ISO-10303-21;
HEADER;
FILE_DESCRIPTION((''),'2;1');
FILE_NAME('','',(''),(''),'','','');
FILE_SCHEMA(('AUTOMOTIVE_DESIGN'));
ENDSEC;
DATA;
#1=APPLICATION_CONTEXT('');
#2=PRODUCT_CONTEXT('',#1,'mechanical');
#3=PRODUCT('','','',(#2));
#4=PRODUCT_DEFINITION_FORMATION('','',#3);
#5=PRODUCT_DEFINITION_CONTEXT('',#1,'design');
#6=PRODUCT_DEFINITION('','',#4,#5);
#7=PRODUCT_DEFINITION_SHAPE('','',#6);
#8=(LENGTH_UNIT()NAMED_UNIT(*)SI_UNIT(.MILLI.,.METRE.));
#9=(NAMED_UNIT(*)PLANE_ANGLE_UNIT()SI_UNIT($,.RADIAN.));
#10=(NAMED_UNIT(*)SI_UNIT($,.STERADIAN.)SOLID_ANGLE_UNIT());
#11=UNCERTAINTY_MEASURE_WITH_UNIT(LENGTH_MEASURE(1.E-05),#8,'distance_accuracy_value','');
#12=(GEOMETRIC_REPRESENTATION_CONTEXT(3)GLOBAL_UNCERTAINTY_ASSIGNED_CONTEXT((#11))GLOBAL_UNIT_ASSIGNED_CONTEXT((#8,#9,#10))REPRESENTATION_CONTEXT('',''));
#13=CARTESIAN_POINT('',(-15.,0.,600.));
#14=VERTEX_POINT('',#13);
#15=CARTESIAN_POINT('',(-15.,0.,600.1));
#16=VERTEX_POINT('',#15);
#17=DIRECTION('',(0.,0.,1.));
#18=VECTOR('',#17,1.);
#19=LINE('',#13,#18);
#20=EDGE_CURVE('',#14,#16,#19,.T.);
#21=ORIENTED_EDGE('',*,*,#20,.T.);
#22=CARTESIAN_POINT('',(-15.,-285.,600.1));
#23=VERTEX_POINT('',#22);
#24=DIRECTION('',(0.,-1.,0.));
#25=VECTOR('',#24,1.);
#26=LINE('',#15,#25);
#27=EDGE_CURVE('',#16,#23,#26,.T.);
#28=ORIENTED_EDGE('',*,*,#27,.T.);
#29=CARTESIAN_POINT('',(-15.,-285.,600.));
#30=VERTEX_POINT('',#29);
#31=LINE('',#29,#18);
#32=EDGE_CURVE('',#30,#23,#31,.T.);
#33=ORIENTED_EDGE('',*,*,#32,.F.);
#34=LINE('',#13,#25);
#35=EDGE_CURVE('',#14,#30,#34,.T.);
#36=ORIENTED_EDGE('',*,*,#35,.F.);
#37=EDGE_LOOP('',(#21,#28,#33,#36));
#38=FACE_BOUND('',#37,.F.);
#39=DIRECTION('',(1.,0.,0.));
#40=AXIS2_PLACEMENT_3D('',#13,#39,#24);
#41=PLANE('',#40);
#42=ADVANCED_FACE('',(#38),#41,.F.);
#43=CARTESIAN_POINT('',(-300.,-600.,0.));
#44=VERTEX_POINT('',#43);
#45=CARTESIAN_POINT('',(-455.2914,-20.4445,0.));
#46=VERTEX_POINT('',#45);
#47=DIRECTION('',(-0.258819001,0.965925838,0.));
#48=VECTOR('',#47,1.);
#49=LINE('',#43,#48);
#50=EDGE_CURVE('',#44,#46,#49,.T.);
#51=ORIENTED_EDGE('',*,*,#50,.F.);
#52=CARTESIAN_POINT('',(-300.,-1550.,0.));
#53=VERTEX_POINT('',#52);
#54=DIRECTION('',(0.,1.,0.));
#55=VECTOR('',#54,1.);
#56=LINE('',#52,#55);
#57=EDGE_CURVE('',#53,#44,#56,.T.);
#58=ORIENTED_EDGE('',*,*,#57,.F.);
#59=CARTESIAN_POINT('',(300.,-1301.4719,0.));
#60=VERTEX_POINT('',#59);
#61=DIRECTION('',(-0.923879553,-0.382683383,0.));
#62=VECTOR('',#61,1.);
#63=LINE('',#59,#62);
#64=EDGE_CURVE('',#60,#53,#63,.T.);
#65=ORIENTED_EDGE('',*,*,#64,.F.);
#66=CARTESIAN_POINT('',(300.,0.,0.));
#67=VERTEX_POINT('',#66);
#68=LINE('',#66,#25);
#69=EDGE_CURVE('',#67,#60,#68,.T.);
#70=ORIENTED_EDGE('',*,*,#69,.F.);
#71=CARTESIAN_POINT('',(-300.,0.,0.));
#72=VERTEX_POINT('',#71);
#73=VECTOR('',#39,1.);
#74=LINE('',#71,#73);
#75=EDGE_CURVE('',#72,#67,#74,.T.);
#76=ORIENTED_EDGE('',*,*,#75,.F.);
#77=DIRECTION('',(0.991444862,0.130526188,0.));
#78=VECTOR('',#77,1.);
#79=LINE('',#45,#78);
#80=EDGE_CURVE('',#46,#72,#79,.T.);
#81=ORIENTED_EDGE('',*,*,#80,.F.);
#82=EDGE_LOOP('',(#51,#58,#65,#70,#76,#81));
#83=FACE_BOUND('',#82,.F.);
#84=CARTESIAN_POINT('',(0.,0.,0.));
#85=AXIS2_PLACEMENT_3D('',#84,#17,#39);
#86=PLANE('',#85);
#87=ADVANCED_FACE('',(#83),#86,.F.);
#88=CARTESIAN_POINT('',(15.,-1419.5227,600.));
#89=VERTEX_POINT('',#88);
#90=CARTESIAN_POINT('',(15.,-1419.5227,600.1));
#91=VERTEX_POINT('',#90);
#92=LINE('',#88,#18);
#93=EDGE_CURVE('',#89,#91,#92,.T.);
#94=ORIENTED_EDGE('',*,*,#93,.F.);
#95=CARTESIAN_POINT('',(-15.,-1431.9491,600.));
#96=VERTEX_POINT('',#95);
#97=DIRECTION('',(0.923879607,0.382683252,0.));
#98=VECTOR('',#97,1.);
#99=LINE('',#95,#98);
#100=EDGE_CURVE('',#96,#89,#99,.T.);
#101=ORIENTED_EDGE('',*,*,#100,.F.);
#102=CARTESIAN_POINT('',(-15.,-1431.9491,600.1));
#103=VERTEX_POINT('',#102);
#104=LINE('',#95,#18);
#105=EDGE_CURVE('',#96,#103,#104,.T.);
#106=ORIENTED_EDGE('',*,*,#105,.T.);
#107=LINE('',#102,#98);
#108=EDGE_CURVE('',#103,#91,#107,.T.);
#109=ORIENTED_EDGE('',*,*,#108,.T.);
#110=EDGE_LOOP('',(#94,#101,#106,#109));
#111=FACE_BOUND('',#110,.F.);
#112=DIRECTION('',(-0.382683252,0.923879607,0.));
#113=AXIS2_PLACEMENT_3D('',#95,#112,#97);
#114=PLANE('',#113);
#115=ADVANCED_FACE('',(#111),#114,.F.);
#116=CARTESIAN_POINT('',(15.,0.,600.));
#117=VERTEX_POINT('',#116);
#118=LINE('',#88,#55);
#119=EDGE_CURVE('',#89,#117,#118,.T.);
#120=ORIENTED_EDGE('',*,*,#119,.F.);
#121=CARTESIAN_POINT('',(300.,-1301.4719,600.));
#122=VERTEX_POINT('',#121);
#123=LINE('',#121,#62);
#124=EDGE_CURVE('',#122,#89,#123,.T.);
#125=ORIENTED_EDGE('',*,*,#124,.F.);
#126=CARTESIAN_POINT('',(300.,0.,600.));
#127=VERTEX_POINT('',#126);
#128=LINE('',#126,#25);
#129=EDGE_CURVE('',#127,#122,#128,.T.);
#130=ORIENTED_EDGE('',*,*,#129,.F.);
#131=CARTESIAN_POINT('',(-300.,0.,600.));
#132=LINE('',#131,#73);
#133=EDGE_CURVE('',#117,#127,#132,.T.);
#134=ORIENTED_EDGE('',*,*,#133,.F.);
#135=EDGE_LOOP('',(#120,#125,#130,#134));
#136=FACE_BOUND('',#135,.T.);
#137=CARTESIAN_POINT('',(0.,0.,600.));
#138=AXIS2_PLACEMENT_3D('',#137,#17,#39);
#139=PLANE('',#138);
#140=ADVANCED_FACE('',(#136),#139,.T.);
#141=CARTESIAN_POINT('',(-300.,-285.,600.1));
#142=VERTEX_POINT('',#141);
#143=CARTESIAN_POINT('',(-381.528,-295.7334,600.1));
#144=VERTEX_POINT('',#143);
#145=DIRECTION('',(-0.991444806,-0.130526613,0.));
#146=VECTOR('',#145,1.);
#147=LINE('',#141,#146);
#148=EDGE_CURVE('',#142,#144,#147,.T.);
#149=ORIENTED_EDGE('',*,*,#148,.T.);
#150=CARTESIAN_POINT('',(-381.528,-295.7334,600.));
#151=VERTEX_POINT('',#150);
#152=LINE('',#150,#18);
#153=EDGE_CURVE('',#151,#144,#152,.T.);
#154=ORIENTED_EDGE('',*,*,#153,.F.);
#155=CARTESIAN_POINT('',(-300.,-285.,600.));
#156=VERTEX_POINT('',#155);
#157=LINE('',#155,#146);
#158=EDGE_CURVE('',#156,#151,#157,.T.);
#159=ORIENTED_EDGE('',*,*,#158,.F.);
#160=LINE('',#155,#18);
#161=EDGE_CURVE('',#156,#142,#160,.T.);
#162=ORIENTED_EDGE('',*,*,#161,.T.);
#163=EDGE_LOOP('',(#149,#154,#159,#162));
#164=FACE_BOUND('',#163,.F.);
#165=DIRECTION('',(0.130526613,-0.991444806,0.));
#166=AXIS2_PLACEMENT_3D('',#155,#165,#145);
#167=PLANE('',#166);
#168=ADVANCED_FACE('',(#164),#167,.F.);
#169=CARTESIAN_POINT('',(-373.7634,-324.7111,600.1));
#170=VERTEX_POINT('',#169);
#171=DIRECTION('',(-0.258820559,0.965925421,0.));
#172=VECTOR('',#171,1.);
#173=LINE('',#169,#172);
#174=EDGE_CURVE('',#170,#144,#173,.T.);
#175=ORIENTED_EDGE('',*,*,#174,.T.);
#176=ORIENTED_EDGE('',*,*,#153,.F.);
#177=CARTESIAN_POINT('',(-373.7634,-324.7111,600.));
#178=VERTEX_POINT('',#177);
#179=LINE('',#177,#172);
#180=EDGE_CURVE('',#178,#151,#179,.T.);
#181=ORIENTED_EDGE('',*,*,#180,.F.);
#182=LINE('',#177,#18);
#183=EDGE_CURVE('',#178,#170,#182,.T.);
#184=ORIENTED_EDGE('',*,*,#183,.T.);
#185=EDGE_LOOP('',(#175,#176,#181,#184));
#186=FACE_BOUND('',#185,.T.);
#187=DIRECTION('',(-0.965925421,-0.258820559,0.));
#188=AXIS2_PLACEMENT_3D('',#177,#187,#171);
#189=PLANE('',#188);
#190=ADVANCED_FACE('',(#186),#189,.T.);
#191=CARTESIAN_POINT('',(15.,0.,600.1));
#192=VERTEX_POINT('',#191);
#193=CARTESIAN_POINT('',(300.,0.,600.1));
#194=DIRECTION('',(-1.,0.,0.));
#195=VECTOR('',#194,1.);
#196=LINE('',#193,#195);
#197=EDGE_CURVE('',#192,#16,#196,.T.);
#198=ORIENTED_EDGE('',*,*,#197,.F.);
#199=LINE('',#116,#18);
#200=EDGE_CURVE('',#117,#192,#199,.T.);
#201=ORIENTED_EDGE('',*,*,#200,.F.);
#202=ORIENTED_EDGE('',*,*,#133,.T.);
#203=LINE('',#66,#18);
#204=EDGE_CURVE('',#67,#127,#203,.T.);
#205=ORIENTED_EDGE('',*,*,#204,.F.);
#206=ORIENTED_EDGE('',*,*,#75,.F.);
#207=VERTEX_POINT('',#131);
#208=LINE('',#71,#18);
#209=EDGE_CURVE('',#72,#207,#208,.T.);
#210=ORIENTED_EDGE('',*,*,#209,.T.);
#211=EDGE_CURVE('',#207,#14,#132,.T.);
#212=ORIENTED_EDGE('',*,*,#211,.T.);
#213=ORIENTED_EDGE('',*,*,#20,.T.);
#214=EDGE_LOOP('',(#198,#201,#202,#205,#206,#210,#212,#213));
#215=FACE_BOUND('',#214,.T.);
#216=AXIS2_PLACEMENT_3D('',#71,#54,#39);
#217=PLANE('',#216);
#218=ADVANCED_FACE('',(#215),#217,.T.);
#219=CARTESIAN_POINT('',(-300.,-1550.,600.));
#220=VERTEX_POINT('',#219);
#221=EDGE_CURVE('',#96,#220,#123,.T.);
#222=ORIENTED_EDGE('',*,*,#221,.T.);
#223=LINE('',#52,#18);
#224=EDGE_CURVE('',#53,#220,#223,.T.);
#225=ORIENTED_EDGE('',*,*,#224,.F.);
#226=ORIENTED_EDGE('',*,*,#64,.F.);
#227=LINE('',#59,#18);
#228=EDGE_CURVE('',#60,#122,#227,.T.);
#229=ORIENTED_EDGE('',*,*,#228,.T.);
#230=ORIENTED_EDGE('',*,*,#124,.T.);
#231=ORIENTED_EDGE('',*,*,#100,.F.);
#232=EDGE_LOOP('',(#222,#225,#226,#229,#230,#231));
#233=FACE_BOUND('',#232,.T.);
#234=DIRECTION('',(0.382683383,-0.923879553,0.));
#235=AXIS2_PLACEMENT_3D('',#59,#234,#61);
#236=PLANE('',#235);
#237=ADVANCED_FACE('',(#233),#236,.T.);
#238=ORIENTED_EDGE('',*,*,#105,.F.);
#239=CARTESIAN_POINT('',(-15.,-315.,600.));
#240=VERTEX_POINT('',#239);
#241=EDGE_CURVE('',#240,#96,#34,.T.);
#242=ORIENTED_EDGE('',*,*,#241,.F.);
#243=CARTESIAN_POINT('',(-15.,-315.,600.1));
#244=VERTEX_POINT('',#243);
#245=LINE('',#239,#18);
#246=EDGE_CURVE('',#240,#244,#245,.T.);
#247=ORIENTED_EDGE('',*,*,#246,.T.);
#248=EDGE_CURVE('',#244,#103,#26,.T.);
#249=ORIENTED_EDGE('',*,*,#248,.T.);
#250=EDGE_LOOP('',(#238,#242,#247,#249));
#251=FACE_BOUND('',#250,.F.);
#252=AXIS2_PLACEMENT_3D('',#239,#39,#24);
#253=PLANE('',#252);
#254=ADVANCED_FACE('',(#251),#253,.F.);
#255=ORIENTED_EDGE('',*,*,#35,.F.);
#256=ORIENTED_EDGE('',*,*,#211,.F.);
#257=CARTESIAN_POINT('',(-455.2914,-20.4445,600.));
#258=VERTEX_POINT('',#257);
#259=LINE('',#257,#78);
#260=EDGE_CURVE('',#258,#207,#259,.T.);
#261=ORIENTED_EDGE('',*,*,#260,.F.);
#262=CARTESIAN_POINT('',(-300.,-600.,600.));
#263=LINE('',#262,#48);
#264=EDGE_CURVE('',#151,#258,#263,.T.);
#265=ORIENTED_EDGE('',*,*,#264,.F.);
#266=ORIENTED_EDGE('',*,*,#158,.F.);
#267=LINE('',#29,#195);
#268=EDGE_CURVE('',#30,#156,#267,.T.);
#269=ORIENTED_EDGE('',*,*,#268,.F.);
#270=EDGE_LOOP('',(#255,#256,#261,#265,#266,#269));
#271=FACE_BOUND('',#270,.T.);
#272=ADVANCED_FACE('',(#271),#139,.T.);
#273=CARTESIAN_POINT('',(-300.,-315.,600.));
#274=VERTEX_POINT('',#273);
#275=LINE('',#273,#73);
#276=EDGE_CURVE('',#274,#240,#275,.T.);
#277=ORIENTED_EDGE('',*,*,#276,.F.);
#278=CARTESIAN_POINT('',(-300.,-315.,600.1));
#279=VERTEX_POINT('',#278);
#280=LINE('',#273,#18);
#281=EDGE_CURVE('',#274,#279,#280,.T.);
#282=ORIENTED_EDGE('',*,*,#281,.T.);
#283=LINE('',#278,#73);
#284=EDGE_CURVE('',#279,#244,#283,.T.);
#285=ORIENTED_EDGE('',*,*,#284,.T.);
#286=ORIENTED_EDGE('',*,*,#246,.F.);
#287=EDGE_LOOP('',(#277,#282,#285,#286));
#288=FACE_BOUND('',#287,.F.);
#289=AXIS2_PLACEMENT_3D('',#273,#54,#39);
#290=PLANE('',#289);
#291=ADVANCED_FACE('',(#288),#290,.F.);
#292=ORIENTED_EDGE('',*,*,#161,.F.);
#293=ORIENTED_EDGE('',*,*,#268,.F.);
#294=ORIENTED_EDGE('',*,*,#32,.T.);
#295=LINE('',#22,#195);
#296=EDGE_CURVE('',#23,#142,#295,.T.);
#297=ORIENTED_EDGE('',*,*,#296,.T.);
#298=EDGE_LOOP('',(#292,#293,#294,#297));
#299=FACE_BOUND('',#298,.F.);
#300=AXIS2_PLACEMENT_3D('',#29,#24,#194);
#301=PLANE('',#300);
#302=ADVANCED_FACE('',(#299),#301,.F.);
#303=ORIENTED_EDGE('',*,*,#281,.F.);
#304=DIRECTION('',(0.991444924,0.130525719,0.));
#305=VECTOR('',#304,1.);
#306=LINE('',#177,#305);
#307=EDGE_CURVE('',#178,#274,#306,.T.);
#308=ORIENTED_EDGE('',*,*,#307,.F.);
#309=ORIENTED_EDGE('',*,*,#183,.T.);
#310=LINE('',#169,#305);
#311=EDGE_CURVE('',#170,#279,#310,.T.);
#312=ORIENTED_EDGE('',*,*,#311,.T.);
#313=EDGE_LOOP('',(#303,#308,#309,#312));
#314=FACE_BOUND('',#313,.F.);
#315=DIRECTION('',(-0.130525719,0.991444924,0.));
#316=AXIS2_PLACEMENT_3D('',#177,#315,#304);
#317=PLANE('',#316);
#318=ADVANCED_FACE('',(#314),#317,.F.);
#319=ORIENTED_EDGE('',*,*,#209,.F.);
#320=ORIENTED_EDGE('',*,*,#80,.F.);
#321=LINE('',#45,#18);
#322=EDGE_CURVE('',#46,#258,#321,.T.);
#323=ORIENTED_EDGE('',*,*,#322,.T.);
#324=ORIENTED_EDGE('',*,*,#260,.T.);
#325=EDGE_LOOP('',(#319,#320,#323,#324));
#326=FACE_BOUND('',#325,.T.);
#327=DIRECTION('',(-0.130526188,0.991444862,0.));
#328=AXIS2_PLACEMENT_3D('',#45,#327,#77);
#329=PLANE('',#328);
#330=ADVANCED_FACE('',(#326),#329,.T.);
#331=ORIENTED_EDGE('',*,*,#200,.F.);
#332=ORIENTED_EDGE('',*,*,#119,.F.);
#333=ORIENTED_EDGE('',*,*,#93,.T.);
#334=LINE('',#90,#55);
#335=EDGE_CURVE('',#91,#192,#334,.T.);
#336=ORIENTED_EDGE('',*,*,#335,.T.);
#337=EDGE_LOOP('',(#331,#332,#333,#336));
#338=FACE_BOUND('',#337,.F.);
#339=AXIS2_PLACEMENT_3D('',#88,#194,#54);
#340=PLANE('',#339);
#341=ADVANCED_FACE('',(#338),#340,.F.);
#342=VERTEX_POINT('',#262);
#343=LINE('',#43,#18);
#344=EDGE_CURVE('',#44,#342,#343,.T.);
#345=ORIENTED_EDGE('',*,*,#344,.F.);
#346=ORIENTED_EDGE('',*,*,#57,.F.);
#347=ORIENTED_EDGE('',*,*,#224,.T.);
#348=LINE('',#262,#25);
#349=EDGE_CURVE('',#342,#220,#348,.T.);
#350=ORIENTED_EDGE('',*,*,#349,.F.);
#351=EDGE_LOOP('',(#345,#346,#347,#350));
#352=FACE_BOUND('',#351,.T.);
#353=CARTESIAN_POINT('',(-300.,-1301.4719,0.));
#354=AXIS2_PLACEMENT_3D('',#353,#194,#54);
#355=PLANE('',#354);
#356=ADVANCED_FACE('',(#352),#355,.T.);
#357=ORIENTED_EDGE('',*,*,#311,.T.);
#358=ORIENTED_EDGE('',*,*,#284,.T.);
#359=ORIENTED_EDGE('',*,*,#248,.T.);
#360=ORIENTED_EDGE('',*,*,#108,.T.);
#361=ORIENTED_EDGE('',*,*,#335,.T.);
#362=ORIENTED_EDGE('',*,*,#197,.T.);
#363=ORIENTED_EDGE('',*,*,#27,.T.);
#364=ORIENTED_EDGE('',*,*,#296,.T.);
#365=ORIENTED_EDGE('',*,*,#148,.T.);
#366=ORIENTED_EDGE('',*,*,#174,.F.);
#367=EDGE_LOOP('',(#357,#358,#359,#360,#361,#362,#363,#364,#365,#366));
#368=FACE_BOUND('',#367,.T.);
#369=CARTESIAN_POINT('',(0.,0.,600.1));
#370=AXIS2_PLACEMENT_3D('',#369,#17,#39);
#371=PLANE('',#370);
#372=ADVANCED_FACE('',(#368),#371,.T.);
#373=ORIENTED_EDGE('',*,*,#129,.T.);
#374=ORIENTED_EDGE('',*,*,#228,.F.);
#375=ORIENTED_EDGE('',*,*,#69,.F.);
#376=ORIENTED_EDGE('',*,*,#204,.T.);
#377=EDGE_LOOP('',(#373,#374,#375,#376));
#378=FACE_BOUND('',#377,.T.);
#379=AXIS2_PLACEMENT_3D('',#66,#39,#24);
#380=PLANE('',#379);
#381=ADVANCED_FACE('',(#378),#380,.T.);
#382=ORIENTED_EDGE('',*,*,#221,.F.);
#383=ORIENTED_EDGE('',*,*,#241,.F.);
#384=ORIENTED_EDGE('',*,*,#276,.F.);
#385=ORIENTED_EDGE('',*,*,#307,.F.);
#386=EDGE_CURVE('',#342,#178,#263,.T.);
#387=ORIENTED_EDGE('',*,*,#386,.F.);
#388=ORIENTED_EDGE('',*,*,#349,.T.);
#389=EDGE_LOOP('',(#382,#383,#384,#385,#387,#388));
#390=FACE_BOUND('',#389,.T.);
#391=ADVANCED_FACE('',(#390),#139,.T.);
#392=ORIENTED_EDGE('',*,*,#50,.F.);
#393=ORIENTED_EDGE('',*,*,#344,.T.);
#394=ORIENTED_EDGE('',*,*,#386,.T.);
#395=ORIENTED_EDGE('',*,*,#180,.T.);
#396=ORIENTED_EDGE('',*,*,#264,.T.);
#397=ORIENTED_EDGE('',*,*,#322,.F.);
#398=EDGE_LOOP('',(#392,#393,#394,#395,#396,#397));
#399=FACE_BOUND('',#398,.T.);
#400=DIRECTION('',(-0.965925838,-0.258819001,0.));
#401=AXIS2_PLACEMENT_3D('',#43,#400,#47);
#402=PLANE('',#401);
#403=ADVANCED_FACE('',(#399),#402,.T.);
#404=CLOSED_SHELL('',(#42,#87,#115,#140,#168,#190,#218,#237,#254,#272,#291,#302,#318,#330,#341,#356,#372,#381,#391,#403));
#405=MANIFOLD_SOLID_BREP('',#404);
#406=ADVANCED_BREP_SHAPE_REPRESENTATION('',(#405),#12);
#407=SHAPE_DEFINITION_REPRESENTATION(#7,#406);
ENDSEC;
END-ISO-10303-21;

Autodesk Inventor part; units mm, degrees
ref_plane "YZ Plane" through (0, 0, 0) normal (1, 0, 0) x (0, 1, 0)
ref_plane "XZ Plane" through (0, 0, 0) normal (0, 1, 0) x (-1, 0, 0)
ref_plane "XY Plane" through (0, 0, 0) normal (0, 0, 1) x (1, 0, 0)
sketch "スケッチ1" plane through (0, 0, 0) normal (0, 0, 1) x (1, 0, 0)
  line L0 (-300, 0) -> (300, 0)
  line L1 (300, 0) -> (300, -1301.4719)
  line L2 (300, -1301.4719) -> (-300, -1301.4719)
  line L3 (-300, -1301.4719) -> (-300, 0)
  line L4 (300, -1301.4719) -> (-300, -1550)
  line L5 (-300, -1550) -> (-300, -1301.4719)
  line L6 (-300, -600) -> (-455.2914, -20.4445)
  line L7 (-455.2914, -20.4445) -> (-300, 0)
  point P0 (0, 0)
  point P1 (0, 0)
  dimension "d18" = 600
  dimension "d27" = 67.5
  dimension "d28" = 1550
  dimension "d29" = 600
  dimension "d30" = 600
  dimension "d31" = 15
extrude "押し出し1" add sketch "スケッチ1" along normal blind 600
sketch "スケッチ3" plane through (0, 0, 600) normal (0, 0, 1) x (1, 0, 0)
  line L0 (300, 0) -> (-300, 0) projected
  line L1 (15, 0) -> (-15, 0)
  line L2 (-15, 0) -> (-15, -1431.9491)
  line L3 (15, -1419.5227) -> (15, 0)
  line L4 (-15, -285) -> (-300, -285)
  line L5 (-373.7634, -324.7111) -> (-300, -315)
  line L6 (-15, -315) -> (-15, -285)
  line L7 (-15, -1431.9491) -> (15, -1419.5227)
  line L8 (-373.7634, -324.7111) -> (-381.528, -295.7334)
  line L9 (-300, -1550) -> (300, -1301.4719) projected
  line L10 (-455.2914, -20.4445) -> (-300, -600) projected
  line L11 (-300, 0) -> (-455.2914, -20.4445) projected
  line L12 (-300, -600) -> (-300, 0)
  line L13 (-300, -285) -> (-381.528, -295.7334)
  line L14 (-300, -315) -> (-15, -315)
  point P0 (0, 0)
  point P1 (0, 0)
  point P2 (0, 0)
  dimension "d23" = 30
  dimension "d24" = 285
  dimension "d33" = 30
extrude "押し出し3" add sketch "スケッチ3" along normal blind 0.1 contours L3 L7 L2 L0 | L2 L14 L12 L4 | L12 L5 L8 L13
sketch "スケッチ4" plane through (0, 0, 600.1) normal (0, 0, 1) x (1, 0, 0)
  line L0 (-15, -315) -> (-15, -1431.9491) projected
  line L1 (-15, -1431.9491) -> (15, -1419.5227) projected
  point P0 (0, 0)
  point P1 (0, -776.3006)
  dimension "d34" = 15
  dimension "d35" = 600
properties part number "Hill 3"
